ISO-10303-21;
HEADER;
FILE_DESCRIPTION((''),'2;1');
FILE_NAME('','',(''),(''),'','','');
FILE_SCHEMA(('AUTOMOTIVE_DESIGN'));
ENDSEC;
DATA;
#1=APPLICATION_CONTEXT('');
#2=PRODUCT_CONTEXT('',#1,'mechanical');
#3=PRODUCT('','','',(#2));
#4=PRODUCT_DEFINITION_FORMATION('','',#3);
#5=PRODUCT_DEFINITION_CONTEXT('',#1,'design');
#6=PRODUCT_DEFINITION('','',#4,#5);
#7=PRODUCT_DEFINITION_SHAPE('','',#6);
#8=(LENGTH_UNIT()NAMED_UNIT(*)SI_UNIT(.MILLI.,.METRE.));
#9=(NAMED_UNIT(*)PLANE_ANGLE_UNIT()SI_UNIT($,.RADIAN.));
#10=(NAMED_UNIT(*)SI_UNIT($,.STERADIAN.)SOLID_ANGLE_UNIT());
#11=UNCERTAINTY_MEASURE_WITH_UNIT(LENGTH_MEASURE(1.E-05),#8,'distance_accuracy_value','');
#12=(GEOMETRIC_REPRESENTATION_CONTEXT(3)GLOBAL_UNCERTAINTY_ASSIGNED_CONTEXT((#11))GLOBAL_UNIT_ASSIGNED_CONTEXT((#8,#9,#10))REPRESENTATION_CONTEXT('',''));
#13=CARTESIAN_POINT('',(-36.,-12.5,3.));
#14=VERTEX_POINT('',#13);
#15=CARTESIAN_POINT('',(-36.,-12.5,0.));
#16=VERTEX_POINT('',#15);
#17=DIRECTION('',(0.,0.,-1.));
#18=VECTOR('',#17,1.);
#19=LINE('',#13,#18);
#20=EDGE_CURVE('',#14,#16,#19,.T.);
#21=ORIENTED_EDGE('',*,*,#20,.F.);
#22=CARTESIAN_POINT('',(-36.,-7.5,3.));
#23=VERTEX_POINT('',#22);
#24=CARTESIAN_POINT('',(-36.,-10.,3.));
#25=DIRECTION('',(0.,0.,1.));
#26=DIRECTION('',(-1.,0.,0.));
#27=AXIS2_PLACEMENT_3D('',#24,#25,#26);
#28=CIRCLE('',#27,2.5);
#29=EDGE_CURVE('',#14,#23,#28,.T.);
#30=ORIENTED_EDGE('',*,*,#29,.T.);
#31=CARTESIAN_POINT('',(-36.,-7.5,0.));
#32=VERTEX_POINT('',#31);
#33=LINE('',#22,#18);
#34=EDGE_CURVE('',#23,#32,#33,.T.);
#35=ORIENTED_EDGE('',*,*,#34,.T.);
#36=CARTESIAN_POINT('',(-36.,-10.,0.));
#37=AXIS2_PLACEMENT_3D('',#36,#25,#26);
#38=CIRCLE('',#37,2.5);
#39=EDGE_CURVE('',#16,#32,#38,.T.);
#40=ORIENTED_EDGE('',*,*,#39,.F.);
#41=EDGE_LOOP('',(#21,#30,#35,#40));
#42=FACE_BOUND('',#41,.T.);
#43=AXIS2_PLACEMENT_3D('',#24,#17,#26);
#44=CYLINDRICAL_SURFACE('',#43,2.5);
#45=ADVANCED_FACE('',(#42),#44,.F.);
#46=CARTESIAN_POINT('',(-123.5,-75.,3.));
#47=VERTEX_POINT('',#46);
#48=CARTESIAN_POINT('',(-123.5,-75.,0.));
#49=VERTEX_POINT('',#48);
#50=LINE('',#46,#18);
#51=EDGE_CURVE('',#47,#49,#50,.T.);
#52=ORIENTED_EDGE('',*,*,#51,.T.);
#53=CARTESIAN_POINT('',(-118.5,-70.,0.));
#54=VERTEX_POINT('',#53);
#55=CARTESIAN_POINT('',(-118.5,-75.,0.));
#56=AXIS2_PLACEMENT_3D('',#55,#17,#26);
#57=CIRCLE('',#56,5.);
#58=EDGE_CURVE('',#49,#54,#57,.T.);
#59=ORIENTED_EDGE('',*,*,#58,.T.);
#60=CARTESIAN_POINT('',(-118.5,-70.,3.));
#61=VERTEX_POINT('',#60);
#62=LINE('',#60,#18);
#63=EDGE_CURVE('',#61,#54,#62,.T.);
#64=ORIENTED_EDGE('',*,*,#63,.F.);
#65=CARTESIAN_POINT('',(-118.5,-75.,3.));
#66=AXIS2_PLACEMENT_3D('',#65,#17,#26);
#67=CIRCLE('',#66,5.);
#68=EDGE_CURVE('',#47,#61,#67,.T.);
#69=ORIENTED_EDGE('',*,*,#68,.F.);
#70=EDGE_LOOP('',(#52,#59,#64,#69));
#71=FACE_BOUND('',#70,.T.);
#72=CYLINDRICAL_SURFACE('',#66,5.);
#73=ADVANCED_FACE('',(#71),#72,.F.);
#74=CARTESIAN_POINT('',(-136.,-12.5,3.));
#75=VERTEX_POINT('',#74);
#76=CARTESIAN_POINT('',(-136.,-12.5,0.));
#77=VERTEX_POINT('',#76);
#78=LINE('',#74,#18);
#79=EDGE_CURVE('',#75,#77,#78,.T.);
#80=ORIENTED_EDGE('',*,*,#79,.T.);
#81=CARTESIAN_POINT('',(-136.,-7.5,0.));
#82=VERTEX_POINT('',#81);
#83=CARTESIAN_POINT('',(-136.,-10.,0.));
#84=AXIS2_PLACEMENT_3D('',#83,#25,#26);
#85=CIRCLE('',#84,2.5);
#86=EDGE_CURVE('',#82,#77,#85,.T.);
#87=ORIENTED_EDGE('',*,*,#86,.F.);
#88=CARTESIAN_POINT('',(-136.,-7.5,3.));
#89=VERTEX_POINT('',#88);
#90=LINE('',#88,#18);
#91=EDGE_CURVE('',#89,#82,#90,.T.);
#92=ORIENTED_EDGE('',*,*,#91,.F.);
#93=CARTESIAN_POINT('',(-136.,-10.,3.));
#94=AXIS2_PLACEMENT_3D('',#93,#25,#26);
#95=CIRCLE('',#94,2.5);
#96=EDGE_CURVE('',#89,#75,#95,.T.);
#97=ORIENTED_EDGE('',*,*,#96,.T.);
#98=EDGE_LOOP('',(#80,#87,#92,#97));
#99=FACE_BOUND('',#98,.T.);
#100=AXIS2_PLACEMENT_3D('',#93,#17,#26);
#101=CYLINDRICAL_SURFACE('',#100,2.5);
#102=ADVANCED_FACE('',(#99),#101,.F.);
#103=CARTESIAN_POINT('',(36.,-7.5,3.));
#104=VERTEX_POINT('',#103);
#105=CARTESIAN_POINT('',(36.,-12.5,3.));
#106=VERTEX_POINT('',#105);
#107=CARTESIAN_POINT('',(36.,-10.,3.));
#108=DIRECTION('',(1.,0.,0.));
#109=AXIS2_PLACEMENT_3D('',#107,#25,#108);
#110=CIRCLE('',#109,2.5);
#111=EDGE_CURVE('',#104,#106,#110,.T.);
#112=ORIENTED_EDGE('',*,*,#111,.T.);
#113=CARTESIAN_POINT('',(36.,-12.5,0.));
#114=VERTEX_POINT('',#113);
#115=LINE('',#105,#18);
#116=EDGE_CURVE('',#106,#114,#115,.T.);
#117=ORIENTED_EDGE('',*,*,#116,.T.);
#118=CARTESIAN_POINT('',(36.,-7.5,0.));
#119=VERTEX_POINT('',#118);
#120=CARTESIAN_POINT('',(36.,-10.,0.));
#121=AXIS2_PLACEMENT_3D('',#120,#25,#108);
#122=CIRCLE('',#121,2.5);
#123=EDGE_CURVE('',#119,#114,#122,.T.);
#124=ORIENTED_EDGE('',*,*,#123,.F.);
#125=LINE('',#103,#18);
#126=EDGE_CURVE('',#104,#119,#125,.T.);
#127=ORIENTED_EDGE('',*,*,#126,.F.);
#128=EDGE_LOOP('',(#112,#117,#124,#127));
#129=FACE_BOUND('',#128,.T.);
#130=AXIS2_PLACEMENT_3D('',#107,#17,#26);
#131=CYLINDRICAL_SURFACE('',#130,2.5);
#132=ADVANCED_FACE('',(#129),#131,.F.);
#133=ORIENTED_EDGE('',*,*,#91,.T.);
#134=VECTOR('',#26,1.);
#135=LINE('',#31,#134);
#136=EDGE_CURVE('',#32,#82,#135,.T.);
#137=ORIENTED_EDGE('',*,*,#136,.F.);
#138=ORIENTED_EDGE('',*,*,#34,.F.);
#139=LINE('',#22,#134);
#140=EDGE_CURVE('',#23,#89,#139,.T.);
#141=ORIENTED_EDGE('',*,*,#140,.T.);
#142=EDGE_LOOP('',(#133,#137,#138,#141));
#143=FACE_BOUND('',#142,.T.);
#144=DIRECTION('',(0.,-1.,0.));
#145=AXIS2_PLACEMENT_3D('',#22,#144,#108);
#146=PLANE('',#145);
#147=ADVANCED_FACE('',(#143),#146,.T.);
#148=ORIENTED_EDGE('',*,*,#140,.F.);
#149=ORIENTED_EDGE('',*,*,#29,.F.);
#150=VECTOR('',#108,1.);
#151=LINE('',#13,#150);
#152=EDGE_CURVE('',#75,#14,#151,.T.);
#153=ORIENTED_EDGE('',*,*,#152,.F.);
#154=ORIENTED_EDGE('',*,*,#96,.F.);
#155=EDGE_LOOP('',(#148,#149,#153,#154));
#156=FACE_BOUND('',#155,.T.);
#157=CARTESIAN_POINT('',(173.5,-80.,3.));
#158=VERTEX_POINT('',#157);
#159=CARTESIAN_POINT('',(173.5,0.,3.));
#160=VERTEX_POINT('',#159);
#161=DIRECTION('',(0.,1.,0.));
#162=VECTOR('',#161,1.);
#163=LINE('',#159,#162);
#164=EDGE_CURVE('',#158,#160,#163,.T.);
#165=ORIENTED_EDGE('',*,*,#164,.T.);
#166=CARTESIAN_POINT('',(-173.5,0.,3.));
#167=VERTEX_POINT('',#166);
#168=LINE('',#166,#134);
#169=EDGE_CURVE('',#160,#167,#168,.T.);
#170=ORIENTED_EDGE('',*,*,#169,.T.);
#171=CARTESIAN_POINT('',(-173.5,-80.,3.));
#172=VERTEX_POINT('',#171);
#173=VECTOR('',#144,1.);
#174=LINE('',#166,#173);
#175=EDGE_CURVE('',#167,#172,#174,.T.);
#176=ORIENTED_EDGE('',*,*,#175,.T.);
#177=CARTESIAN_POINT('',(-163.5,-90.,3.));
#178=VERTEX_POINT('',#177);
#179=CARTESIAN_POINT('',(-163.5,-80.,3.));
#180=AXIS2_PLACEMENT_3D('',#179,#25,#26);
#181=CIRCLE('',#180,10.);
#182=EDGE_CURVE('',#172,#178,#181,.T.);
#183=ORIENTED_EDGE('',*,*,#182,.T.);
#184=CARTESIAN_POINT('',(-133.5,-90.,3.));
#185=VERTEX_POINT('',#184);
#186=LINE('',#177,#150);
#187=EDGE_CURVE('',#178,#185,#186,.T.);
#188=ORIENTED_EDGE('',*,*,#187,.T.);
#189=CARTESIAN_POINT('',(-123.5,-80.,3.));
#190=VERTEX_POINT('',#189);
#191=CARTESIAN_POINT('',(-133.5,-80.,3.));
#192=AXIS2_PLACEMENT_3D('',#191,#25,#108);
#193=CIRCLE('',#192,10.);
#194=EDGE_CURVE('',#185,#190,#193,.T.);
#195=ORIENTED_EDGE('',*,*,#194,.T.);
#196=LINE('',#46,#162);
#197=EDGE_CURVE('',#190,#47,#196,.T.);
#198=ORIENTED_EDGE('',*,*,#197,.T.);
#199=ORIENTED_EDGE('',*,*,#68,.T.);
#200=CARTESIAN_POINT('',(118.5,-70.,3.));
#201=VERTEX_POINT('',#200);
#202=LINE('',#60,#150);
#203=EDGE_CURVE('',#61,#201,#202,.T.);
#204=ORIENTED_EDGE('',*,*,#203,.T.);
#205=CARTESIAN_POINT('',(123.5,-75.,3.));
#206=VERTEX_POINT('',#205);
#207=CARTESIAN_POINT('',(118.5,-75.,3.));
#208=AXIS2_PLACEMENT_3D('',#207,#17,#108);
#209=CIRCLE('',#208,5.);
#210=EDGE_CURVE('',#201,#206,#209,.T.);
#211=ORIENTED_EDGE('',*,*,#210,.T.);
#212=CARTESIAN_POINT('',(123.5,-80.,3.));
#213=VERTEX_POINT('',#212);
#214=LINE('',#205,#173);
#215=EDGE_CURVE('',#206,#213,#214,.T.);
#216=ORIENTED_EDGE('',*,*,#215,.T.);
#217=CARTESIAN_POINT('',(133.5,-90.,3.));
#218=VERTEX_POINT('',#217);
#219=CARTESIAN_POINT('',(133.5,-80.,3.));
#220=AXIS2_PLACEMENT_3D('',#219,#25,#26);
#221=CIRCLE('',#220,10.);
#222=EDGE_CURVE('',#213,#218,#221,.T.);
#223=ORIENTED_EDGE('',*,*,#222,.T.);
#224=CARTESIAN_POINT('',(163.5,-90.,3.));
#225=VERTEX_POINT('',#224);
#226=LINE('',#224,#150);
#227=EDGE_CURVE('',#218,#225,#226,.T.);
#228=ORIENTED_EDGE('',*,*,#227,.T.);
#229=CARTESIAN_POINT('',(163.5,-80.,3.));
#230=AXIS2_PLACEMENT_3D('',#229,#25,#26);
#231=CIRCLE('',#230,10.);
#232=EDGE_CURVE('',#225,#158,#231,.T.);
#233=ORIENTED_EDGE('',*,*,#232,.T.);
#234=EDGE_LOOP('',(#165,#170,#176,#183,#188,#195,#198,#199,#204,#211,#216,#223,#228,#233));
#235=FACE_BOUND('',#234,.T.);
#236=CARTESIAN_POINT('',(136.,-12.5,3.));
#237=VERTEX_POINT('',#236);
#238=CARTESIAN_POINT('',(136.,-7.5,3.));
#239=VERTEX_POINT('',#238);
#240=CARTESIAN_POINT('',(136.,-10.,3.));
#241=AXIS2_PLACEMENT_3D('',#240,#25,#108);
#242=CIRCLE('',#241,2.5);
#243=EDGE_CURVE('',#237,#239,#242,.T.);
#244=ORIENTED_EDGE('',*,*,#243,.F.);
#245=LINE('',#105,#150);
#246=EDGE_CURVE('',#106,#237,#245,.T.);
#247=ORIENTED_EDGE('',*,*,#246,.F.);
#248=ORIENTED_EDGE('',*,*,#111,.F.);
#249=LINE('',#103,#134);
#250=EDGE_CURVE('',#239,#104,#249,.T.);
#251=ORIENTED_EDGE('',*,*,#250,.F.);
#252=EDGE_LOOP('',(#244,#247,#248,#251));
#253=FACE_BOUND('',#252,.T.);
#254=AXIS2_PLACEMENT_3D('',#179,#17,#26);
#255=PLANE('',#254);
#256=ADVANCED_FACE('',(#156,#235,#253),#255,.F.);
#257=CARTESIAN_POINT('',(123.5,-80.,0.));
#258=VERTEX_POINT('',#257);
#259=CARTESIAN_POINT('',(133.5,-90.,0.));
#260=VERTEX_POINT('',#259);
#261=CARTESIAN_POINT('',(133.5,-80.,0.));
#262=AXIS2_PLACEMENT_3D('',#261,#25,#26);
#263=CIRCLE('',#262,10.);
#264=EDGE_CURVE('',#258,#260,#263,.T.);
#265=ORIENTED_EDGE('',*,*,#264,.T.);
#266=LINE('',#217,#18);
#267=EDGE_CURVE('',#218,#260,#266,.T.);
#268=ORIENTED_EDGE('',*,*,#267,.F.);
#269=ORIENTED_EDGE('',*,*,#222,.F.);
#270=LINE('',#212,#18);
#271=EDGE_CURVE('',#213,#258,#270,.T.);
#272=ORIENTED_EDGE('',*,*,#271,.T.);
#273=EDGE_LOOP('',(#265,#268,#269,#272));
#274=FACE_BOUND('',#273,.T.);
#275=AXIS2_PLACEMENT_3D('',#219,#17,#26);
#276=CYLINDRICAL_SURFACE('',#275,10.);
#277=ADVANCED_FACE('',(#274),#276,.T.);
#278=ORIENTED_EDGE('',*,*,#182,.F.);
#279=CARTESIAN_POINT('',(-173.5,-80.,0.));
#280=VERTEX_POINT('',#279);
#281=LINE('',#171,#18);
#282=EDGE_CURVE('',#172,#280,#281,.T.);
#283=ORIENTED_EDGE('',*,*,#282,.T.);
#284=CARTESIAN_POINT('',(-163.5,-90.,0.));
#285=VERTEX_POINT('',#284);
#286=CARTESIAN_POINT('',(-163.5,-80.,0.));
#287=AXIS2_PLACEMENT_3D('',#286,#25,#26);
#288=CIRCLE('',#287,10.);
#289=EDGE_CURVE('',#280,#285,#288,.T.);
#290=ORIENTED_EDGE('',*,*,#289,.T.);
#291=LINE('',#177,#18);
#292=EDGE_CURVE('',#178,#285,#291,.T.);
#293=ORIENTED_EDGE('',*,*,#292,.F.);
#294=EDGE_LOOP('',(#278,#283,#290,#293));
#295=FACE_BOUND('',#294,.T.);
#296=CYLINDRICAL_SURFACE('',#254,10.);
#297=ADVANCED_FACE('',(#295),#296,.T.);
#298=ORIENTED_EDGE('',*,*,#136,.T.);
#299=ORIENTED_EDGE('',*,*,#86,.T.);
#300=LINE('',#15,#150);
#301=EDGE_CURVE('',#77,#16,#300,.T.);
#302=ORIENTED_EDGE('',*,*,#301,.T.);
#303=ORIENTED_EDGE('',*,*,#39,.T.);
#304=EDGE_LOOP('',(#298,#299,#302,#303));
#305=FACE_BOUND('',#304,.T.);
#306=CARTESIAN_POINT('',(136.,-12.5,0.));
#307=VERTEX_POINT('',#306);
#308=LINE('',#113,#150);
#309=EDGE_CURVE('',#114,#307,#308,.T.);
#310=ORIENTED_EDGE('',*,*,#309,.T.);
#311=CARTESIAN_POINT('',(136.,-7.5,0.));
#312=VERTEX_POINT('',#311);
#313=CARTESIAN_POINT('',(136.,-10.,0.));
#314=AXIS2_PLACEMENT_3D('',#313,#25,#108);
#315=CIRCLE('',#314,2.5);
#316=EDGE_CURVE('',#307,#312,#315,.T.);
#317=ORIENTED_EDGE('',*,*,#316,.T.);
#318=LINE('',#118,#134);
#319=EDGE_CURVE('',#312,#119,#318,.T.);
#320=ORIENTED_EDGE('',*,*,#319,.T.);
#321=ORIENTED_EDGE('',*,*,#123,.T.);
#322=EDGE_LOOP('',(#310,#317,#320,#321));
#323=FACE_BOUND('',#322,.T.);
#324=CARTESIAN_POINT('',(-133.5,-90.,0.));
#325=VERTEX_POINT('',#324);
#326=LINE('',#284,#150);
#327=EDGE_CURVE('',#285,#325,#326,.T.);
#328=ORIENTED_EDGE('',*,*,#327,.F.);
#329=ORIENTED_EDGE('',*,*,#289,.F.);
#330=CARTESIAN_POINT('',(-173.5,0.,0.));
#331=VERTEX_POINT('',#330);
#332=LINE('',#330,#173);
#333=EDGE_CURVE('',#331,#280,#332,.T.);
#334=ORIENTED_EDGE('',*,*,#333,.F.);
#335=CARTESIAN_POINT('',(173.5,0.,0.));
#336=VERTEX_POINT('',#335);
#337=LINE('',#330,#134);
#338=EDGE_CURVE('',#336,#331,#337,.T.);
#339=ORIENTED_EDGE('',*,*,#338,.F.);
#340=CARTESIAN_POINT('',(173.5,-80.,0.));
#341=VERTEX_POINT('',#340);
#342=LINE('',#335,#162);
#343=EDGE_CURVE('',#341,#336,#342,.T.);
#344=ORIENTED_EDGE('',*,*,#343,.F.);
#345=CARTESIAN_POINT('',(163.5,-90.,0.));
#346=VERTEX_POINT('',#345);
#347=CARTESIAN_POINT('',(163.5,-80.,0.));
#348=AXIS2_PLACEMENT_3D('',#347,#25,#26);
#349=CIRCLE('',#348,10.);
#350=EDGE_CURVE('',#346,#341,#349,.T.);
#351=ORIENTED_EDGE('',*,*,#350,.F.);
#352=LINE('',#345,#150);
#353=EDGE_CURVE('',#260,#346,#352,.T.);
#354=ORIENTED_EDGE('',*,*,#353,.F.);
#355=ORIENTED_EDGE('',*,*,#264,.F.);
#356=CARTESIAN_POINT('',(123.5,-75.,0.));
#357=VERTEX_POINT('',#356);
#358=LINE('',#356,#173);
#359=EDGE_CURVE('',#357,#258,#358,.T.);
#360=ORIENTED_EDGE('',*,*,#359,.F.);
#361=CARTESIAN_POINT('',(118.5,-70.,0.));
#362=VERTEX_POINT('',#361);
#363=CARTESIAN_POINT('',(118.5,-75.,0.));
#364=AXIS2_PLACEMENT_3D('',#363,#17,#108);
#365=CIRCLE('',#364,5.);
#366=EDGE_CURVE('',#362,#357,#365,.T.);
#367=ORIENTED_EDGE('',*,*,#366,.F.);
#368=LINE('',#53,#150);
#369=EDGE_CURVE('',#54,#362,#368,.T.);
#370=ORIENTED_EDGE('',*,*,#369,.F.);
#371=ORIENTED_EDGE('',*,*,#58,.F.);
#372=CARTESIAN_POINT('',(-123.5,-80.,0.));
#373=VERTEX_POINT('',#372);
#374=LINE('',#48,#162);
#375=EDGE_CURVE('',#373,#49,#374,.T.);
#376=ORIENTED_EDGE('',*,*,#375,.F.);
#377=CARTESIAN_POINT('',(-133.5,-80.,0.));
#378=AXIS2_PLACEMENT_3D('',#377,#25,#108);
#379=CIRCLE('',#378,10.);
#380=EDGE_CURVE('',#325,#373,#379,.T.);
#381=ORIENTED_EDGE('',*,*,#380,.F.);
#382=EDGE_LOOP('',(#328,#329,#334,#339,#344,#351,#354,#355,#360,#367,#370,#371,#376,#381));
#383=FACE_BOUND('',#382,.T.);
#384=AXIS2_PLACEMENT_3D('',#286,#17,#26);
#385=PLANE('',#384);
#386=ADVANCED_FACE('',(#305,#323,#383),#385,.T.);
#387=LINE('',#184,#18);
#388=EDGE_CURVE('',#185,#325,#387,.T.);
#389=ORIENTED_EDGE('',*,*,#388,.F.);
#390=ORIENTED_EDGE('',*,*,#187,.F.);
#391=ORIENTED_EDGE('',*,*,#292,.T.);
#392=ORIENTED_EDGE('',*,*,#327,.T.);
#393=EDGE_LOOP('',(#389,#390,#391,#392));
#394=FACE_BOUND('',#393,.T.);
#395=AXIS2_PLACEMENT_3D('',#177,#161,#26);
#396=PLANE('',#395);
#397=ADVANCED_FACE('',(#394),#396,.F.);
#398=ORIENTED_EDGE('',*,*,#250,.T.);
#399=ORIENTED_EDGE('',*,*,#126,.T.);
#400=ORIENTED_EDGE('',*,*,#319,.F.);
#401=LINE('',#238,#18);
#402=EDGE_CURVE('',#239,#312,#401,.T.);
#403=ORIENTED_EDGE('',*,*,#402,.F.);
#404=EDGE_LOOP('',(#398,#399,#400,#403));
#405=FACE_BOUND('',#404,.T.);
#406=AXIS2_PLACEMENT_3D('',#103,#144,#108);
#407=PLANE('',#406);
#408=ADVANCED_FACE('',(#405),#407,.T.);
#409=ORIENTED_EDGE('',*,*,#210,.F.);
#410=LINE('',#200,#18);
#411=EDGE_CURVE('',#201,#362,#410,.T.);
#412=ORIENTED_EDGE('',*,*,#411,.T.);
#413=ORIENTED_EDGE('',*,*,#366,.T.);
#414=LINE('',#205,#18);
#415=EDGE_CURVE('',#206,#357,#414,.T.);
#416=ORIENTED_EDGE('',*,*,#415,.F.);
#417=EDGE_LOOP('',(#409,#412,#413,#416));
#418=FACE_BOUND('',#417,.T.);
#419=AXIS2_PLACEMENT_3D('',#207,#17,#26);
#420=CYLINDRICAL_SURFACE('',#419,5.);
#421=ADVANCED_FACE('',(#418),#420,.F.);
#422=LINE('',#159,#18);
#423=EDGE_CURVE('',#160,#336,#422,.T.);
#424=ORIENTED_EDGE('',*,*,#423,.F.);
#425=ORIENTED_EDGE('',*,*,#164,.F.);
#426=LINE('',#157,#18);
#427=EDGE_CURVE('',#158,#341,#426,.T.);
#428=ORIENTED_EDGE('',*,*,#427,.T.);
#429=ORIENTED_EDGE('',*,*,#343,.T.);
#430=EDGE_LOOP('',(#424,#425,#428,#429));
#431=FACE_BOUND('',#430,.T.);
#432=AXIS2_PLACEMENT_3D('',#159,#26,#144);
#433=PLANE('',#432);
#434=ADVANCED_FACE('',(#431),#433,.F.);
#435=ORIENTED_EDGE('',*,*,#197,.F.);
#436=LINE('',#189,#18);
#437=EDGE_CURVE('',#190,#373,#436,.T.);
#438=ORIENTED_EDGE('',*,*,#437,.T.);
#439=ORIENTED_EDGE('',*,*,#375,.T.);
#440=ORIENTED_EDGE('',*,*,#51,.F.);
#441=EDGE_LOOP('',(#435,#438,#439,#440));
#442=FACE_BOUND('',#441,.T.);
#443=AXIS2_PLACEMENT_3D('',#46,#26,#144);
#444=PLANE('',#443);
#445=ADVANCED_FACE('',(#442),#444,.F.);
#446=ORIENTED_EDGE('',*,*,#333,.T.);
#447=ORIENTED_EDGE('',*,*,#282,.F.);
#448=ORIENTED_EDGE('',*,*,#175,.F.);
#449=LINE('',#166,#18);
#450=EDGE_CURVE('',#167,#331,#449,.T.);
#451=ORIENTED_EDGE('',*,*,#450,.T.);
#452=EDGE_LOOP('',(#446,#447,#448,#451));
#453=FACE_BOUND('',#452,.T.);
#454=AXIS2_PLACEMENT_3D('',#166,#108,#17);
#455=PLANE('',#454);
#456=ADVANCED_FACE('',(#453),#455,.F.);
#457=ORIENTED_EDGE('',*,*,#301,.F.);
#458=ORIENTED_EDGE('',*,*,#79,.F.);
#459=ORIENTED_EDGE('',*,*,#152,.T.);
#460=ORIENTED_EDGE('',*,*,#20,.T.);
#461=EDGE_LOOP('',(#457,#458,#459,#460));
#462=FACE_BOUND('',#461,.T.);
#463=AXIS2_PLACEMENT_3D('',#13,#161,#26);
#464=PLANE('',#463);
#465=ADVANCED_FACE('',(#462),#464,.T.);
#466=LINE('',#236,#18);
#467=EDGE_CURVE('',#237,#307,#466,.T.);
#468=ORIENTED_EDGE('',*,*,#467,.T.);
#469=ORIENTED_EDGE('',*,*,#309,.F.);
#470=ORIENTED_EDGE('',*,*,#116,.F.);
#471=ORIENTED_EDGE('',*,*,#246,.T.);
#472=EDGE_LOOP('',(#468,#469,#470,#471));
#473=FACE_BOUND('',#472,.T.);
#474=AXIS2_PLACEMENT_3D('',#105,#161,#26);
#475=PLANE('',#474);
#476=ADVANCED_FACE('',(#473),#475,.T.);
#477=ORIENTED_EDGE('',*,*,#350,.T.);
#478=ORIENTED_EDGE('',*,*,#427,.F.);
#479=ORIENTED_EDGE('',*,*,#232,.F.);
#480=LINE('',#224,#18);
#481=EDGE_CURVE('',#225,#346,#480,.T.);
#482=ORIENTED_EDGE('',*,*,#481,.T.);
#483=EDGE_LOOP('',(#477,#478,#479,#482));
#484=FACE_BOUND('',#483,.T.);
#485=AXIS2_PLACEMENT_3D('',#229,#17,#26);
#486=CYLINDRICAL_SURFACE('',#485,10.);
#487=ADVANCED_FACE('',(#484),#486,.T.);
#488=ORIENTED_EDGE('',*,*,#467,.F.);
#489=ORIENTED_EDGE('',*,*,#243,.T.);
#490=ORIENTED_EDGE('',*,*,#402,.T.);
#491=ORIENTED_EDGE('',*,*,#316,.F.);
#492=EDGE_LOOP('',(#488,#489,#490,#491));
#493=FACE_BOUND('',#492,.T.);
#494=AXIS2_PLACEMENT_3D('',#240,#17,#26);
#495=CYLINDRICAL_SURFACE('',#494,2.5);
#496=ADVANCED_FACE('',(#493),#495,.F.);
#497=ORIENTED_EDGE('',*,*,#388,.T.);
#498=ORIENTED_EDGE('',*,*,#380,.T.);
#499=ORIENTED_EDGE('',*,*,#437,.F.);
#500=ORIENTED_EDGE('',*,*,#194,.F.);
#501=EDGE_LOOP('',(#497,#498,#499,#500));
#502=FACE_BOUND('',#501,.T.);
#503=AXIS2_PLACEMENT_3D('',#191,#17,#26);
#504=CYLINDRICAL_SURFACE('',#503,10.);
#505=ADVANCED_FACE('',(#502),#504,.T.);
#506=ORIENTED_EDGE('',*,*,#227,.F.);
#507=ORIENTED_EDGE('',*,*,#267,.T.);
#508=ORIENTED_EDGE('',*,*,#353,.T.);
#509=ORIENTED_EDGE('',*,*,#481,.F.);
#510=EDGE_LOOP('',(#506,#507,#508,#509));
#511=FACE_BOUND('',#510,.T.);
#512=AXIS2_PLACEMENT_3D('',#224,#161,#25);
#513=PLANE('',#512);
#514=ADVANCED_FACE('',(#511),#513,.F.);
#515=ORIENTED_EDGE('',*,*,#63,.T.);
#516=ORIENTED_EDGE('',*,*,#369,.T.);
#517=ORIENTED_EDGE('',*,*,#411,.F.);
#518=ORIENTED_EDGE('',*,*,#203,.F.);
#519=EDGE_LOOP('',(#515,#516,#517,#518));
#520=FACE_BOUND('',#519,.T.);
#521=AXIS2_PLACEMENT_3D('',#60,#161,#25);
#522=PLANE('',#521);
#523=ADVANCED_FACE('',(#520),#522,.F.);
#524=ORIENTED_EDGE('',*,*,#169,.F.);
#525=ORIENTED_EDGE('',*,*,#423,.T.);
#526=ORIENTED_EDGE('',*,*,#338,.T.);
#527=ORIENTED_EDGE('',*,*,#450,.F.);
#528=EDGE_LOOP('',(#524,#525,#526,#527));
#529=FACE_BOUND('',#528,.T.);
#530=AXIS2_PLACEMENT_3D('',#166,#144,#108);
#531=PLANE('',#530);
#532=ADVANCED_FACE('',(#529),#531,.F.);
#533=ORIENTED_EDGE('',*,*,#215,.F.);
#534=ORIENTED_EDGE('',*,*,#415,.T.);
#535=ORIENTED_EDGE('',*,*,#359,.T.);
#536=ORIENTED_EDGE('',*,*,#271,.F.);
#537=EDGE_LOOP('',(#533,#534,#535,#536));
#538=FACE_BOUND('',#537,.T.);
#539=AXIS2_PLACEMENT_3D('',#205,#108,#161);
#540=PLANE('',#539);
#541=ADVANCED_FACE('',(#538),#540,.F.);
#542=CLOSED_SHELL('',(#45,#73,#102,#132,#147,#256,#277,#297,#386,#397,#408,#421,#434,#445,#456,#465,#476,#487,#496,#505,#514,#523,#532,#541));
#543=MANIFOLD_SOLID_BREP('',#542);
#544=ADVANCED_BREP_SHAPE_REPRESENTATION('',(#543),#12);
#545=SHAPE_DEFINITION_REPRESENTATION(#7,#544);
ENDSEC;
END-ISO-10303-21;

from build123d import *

# Parameters (mm, degrees)
BOSS_EXTRUDE1_DEPTH = 3


with BuildPart() as part:
    # Sketch1 → Boss-Extrude1 (new body)
    with BuildSketch(Plane.XY):
        with BuildLine():
            Line((-173.5, 0), (173.5, 0))
            Line((173.5, 0), (173.5, -80))
            ThreePointArc((173.5, -80), (170.571067812, -87.071067812), (163.5, -90))
            Line((163.5, -90), (133.5, -90))
            ThreePointArc((133.5, -90), (126.428932188, -87.071067812), (123.5, -80))
            Line((123.5, -80), (123.5, -75))
            ThreePointArc((123.5, -75), (122.035533906, -71.464466094), (118.5, -70))
            Line((118.5, -70), (-118.5, -70))
            ThreePointArc((-118.5, -70), (-122.035533906, -71.464466094), (-123.5, -75))
            Line((-123.5, -75), (-123.5, -80))
            ThreePointArc((-123.5, -80), (-126.428932188, -87.071067812), (-133.5, -90))
            Line((-133.5, -90), (-163.5, -90))
            ThreePointArc((-163.5, -90), (-170.571067812, -87.071067812), (-173.5, -80))
            Line((-173.5, -80), (-173.5, 0))
        make_face()
        with BuildLine():
            Line((36, -7.5), (136, -7.5))
            ThreePointArc((136, -7.5), (138.5, -10), (136, -12.5))
            Line((136, -12.5), (36, -12.5))
            ThreePointArc((36, -12.5), (33.5, -10), (36, -7.5))
        make_face(mode=Mode.SUBTRACT)
        with BuildLine():
            Line((-36, -7.5), (-136, -7.5))
            ThreePointArc((-136, -7.5), (-138.5, -10), (-136, -12.5))
            Line((-136, -12.5), (-36, -12.5))
            ThreePointArc((-36, -12.5), (-33.5, -10), (-36, -7.5))
        make_face(mode=Mode.SUBTRACT)
    extrude(amount=BOSS_EXTRUDE1_DEPTH)


solid = part.part
